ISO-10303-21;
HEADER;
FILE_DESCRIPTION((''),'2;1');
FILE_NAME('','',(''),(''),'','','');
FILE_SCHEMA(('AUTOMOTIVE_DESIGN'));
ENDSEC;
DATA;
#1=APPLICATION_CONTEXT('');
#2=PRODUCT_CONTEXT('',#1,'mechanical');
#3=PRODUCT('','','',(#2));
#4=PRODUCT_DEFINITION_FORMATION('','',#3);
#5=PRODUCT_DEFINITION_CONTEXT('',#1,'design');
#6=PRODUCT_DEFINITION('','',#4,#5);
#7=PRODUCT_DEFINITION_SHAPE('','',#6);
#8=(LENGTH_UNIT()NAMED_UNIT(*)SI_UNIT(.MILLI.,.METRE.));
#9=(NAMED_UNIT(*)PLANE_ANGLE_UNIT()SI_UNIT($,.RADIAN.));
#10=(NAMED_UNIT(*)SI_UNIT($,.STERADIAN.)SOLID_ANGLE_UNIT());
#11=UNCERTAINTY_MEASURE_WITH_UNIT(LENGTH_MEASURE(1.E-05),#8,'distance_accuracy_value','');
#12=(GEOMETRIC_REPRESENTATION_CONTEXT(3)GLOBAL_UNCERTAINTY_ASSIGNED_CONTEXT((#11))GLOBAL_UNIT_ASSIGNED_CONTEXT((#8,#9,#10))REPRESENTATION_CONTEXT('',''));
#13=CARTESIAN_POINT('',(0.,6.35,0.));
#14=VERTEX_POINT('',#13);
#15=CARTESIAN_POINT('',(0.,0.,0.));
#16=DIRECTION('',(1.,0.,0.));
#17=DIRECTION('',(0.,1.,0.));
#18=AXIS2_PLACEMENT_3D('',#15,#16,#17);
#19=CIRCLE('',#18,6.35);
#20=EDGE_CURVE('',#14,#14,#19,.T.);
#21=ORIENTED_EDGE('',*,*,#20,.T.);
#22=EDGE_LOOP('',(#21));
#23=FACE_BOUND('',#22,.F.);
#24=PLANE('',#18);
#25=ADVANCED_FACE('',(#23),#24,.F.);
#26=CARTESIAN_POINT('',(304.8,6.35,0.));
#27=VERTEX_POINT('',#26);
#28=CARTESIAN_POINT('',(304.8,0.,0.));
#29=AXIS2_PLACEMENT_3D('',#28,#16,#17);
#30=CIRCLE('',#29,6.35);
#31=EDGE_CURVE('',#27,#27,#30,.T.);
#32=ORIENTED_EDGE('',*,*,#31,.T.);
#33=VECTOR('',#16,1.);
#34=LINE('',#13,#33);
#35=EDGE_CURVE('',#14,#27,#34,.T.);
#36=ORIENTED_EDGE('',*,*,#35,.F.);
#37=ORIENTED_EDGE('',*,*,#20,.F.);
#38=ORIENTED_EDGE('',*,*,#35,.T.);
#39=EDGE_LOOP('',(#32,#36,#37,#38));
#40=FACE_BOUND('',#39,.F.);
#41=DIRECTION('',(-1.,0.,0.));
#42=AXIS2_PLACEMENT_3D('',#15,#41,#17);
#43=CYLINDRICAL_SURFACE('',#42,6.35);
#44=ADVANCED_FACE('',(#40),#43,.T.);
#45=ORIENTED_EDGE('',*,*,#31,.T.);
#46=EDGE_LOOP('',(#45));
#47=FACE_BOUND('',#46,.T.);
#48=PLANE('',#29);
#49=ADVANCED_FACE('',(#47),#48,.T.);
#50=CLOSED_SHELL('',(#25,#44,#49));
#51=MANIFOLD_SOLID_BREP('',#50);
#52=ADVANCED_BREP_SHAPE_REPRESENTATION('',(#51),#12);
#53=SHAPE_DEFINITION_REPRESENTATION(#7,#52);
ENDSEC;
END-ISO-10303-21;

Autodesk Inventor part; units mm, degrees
ref_plane "YZ Plane" through (0, 0, 0) normal (1, 0, 0) x (0, 1, 0)
ref_plane "XZ Plane" through (0, 0, 0) normal (0, 1, 0) x (-1, 0, 0)
ref_plane "XY Plane" through (0, 0, 0) normal (0, 0, 1) x (1, 0, 0)
sketch "Sketch1" plane through (0, 0, 0) normal (1, 0, 0) x (0, 1, 0)
  circle A0 centre (0, 0) radius 6.35
  dimension "d0" = 12.7
extrude "Extrusion1" add sketch "Sketch1" along normal blind 304.8
properties part number "toggle_axle" material "Steel, Alloy"
